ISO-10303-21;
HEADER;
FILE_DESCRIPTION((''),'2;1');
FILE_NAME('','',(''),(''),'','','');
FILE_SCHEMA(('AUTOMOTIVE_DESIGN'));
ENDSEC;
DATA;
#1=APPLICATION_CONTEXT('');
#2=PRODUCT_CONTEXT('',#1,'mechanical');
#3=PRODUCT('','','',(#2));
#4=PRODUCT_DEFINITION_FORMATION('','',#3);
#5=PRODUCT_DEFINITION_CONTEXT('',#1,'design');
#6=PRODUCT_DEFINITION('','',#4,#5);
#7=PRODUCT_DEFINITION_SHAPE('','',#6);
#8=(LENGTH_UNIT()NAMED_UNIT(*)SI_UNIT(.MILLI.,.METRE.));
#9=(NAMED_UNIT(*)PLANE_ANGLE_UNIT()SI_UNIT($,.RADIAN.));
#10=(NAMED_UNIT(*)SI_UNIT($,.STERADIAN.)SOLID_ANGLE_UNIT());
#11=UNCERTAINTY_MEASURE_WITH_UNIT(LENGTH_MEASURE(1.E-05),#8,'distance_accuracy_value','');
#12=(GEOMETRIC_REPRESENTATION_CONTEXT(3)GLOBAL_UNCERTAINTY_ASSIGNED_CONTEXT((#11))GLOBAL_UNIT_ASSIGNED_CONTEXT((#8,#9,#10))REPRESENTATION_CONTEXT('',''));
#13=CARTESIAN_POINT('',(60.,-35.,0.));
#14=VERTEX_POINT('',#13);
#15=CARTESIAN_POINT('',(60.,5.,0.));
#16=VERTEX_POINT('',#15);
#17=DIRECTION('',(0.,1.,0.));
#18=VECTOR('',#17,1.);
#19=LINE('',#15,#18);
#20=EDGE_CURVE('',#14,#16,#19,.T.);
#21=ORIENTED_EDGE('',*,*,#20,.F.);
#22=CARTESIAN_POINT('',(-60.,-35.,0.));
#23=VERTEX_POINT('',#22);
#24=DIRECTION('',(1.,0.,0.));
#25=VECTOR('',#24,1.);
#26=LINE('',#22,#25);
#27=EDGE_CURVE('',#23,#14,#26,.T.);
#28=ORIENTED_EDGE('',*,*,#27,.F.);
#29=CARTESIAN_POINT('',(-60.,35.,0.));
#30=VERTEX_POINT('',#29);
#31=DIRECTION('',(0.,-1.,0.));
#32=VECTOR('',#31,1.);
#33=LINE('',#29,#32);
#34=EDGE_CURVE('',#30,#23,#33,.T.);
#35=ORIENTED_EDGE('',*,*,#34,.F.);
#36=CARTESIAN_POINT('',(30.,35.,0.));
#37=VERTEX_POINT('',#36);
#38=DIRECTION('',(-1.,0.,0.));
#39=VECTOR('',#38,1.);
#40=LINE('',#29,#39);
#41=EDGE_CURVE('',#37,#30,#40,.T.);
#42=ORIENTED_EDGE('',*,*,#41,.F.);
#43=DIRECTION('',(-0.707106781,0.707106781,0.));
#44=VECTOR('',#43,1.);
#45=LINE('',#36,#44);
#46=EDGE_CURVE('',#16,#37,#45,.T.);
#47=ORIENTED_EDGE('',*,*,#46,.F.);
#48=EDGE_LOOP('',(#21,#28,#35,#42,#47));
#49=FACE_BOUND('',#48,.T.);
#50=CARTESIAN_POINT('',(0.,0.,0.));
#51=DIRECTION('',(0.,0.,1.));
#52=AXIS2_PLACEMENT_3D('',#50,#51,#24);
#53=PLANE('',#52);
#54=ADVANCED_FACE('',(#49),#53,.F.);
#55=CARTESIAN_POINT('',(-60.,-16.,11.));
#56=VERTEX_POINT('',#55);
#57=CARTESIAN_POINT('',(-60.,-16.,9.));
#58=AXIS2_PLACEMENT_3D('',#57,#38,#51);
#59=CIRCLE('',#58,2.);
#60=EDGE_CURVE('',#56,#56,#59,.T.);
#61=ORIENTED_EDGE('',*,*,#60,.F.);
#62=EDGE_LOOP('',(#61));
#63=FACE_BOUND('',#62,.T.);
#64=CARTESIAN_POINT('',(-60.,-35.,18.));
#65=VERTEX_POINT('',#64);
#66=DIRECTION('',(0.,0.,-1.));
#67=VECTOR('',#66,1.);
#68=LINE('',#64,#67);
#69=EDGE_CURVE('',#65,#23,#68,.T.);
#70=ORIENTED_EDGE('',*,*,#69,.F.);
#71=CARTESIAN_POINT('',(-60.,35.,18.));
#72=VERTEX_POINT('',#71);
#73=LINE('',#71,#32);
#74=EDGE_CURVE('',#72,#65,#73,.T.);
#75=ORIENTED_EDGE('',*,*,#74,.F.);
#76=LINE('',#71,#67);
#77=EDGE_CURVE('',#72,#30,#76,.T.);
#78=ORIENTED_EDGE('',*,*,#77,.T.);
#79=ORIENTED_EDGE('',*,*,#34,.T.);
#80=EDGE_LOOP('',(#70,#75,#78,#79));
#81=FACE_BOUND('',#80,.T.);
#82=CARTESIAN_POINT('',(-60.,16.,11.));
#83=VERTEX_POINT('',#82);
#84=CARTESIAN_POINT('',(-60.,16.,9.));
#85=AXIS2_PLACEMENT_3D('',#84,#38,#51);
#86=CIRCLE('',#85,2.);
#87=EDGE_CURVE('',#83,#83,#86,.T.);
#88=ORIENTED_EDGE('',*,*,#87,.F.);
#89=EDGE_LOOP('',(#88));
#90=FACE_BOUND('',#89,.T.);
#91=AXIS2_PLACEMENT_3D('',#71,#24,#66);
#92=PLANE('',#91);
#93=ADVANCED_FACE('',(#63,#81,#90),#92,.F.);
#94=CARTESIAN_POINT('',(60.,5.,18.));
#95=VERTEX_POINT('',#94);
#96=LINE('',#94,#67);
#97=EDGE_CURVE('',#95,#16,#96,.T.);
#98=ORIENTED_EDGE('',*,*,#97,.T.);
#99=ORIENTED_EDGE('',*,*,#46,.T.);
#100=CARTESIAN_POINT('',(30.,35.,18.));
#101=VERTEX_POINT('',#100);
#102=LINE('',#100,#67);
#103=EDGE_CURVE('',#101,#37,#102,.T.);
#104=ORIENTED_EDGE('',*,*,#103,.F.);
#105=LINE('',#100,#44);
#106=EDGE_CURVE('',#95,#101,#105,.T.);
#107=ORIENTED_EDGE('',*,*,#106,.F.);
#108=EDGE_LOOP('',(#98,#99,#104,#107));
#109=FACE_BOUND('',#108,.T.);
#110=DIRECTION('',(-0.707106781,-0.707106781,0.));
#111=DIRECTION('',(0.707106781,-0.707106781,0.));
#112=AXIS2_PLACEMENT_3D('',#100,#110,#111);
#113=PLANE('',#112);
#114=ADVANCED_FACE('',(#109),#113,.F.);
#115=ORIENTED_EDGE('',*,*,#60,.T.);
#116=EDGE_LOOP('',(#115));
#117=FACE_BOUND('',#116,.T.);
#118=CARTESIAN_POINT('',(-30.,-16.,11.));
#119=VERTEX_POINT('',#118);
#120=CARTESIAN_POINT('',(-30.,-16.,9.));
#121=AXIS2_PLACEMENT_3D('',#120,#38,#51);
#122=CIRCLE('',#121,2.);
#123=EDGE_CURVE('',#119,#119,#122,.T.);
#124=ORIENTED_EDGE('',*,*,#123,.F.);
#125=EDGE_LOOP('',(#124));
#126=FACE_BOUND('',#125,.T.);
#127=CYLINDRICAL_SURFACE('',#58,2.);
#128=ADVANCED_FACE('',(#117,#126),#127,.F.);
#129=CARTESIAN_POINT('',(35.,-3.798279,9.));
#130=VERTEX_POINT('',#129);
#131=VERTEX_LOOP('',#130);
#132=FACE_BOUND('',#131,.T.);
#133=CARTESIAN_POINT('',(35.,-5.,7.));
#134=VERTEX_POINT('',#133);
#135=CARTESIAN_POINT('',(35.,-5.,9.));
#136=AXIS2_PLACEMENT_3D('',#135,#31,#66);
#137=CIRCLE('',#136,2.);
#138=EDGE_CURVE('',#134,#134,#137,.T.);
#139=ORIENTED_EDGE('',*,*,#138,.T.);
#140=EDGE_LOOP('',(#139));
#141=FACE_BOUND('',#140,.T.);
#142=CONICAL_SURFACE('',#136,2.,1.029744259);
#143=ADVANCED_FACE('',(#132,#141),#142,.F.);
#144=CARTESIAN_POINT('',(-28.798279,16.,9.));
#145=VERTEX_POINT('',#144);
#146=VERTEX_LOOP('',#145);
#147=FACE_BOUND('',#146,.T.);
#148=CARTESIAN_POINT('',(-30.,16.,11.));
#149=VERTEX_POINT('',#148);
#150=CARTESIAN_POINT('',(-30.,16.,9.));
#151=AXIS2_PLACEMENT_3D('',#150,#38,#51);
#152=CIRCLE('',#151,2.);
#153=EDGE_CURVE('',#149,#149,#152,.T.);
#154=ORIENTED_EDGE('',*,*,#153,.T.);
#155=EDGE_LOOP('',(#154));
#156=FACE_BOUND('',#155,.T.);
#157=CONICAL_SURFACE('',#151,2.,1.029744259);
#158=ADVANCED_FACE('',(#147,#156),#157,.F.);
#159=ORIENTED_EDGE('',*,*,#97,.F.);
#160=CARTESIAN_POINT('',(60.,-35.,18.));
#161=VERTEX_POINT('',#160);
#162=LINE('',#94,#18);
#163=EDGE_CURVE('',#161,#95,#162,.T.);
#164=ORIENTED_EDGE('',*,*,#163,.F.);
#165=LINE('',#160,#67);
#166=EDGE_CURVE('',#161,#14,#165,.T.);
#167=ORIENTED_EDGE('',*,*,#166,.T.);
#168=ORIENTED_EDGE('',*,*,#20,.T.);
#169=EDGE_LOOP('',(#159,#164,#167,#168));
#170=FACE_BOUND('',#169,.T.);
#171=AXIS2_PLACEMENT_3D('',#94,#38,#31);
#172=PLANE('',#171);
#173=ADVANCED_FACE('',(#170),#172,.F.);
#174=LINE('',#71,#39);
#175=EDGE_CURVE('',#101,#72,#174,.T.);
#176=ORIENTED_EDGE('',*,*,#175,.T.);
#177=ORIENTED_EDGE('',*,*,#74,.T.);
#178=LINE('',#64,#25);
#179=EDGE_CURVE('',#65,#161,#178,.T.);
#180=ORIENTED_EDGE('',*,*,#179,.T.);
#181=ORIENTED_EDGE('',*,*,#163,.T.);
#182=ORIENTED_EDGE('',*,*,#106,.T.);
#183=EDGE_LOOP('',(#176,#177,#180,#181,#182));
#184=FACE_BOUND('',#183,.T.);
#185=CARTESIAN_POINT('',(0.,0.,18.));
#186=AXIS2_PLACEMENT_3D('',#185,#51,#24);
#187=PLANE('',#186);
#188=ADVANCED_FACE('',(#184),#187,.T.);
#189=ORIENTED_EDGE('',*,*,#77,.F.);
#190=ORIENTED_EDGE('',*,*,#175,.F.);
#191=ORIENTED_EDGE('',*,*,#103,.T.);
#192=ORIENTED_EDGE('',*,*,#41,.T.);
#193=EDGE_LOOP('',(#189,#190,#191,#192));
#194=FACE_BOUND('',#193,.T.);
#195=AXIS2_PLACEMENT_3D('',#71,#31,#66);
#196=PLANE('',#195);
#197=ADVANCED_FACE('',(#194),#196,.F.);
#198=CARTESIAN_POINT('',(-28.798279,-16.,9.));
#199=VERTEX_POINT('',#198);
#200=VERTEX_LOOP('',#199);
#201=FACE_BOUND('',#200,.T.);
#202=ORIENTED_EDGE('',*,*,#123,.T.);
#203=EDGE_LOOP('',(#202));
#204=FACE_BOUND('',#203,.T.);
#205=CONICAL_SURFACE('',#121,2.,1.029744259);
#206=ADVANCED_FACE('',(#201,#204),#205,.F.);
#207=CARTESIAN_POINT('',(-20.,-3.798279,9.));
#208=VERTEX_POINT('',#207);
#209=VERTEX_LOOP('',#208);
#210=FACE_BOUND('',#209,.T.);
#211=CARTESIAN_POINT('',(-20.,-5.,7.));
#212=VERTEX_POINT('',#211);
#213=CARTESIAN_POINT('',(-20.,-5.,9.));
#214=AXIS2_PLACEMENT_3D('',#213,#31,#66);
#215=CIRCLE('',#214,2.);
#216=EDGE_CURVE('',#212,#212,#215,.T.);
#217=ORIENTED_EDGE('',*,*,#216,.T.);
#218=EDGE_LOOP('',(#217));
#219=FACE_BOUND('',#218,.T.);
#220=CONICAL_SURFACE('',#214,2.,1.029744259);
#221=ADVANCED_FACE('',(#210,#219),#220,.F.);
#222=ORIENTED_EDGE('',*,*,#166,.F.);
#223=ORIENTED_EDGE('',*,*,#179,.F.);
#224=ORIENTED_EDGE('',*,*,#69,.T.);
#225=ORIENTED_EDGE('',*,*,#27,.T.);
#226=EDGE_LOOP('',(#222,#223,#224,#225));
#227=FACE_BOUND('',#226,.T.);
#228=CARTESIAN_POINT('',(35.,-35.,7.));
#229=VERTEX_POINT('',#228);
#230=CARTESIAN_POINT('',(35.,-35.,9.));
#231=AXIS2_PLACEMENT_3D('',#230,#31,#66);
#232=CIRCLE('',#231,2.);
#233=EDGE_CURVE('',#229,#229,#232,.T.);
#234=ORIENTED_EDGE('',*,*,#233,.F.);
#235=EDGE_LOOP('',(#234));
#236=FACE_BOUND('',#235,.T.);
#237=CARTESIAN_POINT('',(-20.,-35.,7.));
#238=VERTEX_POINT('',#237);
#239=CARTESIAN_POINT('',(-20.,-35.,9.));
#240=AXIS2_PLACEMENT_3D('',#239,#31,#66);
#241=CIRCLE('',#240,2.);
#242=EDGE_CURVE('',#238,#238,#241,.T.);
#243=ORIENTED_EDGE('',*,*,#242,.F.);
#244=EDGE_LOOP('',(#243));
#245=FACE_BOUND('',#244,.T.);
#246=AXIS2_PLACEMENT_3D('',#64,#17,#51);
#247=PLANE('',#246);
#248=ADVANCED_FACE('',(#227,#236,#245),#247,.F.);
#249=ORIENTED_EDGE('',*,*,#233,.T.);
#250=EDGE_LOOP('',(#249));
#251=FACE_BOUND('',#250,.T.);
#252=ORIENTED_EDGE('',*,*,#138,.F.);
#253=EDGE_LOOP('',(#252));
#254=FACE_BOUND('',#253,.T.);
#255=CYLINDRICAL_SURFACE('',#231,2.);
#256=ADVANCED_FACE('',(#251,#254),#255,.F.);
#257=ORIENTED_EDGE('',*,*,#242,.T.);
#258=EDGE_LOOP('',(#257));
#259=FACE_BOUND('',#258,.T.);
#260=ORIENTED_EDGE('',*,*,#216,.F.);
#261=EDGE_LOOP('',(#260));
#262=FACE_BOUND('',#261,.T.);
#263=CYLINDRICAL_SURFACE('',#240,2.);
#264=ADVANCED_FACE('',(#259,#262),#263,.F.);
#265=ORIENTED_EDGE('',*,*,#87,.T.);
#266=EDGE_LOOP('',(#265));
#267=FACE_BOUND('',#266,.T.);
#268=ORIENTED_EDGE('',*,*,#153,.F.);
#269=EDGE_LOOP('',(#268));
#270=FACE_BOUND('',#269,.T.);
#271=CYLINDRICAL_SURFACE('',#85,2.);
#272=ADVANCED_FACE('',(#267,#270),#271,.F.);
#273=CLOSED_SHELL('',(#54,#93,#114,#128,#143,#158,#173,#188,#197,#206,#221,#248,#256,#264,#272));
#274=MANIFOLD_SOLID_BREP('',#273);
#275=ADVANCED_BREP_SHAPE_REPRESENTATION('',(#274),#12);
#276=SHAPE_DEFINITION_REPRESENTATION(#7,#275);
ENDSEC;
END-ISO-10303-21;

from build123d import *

# Parameters (mm, degrees)
BOSS_EXTRUDE1_DEPTH          = 18
F_4_0_4_DIAMETER_HOLE1_D     = 4
F_4_0_4_DIAMETER_HOLE1_DEPTH = 30
F_4_0_4_DIAMETER_HOLE1_TIP   = 1.201721238
F_4_0_4_DIAMETER_HOLE2_D     = 4
F_4_0_4_DIAMETER_HOLE2_DEPTH = 30
F_4_0_4_DIAMETER_HOLE2_TIP   = 1.201721238


with BuildPart() as part:
    # Sketch1 → Boss-Extrude1 (new body)
    with BuildSketch(Plane.XY):
        Polygon((30, 35), (60, 5), (60, -35), (-60, -35), (-60, 35), align=None)
    extrude(amount=BOSS_EXTRUDE1_DEPTH)

    # Ø4.0 (4) Diameter Hole1
    with Locations(Plane.ZY.offset(60)):
        with Locations((9, 16), (9, -16)):
            Hole(F_4_0_4_DIAMETER_HOLE1_D / 2, depth=F_4_0_4_DIAMETER_HOLE1_DEPTH)
            with Locations((0, 0, -(F_4_0_4_DIAMETER_HOLE1_DEPTH + F_4_0_4_DIAMETER_HOLE1_TIP / 2))):  # 118° drill point
                Cone(0, F_4_0_4_DIAMETER_HOLE1_D / 2, F_4_0_4_DIAMETER_HOLE1_TIP, mode=Mode.SUBTRACT)

    # Ø4.0 (4) Diameter Hole2
    with Locations(Plane(origin=(0, -35, 0), x_dir=(-1, 0, 0), z_dir=(0, -1, 0))):
        with Locations((-35, -9), (20, -9)):
            Hole(F_4_0_4_DIAMETER_HOLE2_D / 2, depth=F_4_0_4_DIAMETER_HOLE2_DEPTH)
            with Locations((0, 0, -(F_4_0_4_DIAMETER_HOLE2_DEPTH + F_4_0_4_DIAMETER_HOLE2_TIP / 2))):  # 118° drill point
                Cone(0, F_4_0_4_DIAMETER_HOLE2_D / 2, F_4_0_4_DIAMETER_HOLE2_TIP, mode=Mode.SUBTRACT)


solid = part.part
